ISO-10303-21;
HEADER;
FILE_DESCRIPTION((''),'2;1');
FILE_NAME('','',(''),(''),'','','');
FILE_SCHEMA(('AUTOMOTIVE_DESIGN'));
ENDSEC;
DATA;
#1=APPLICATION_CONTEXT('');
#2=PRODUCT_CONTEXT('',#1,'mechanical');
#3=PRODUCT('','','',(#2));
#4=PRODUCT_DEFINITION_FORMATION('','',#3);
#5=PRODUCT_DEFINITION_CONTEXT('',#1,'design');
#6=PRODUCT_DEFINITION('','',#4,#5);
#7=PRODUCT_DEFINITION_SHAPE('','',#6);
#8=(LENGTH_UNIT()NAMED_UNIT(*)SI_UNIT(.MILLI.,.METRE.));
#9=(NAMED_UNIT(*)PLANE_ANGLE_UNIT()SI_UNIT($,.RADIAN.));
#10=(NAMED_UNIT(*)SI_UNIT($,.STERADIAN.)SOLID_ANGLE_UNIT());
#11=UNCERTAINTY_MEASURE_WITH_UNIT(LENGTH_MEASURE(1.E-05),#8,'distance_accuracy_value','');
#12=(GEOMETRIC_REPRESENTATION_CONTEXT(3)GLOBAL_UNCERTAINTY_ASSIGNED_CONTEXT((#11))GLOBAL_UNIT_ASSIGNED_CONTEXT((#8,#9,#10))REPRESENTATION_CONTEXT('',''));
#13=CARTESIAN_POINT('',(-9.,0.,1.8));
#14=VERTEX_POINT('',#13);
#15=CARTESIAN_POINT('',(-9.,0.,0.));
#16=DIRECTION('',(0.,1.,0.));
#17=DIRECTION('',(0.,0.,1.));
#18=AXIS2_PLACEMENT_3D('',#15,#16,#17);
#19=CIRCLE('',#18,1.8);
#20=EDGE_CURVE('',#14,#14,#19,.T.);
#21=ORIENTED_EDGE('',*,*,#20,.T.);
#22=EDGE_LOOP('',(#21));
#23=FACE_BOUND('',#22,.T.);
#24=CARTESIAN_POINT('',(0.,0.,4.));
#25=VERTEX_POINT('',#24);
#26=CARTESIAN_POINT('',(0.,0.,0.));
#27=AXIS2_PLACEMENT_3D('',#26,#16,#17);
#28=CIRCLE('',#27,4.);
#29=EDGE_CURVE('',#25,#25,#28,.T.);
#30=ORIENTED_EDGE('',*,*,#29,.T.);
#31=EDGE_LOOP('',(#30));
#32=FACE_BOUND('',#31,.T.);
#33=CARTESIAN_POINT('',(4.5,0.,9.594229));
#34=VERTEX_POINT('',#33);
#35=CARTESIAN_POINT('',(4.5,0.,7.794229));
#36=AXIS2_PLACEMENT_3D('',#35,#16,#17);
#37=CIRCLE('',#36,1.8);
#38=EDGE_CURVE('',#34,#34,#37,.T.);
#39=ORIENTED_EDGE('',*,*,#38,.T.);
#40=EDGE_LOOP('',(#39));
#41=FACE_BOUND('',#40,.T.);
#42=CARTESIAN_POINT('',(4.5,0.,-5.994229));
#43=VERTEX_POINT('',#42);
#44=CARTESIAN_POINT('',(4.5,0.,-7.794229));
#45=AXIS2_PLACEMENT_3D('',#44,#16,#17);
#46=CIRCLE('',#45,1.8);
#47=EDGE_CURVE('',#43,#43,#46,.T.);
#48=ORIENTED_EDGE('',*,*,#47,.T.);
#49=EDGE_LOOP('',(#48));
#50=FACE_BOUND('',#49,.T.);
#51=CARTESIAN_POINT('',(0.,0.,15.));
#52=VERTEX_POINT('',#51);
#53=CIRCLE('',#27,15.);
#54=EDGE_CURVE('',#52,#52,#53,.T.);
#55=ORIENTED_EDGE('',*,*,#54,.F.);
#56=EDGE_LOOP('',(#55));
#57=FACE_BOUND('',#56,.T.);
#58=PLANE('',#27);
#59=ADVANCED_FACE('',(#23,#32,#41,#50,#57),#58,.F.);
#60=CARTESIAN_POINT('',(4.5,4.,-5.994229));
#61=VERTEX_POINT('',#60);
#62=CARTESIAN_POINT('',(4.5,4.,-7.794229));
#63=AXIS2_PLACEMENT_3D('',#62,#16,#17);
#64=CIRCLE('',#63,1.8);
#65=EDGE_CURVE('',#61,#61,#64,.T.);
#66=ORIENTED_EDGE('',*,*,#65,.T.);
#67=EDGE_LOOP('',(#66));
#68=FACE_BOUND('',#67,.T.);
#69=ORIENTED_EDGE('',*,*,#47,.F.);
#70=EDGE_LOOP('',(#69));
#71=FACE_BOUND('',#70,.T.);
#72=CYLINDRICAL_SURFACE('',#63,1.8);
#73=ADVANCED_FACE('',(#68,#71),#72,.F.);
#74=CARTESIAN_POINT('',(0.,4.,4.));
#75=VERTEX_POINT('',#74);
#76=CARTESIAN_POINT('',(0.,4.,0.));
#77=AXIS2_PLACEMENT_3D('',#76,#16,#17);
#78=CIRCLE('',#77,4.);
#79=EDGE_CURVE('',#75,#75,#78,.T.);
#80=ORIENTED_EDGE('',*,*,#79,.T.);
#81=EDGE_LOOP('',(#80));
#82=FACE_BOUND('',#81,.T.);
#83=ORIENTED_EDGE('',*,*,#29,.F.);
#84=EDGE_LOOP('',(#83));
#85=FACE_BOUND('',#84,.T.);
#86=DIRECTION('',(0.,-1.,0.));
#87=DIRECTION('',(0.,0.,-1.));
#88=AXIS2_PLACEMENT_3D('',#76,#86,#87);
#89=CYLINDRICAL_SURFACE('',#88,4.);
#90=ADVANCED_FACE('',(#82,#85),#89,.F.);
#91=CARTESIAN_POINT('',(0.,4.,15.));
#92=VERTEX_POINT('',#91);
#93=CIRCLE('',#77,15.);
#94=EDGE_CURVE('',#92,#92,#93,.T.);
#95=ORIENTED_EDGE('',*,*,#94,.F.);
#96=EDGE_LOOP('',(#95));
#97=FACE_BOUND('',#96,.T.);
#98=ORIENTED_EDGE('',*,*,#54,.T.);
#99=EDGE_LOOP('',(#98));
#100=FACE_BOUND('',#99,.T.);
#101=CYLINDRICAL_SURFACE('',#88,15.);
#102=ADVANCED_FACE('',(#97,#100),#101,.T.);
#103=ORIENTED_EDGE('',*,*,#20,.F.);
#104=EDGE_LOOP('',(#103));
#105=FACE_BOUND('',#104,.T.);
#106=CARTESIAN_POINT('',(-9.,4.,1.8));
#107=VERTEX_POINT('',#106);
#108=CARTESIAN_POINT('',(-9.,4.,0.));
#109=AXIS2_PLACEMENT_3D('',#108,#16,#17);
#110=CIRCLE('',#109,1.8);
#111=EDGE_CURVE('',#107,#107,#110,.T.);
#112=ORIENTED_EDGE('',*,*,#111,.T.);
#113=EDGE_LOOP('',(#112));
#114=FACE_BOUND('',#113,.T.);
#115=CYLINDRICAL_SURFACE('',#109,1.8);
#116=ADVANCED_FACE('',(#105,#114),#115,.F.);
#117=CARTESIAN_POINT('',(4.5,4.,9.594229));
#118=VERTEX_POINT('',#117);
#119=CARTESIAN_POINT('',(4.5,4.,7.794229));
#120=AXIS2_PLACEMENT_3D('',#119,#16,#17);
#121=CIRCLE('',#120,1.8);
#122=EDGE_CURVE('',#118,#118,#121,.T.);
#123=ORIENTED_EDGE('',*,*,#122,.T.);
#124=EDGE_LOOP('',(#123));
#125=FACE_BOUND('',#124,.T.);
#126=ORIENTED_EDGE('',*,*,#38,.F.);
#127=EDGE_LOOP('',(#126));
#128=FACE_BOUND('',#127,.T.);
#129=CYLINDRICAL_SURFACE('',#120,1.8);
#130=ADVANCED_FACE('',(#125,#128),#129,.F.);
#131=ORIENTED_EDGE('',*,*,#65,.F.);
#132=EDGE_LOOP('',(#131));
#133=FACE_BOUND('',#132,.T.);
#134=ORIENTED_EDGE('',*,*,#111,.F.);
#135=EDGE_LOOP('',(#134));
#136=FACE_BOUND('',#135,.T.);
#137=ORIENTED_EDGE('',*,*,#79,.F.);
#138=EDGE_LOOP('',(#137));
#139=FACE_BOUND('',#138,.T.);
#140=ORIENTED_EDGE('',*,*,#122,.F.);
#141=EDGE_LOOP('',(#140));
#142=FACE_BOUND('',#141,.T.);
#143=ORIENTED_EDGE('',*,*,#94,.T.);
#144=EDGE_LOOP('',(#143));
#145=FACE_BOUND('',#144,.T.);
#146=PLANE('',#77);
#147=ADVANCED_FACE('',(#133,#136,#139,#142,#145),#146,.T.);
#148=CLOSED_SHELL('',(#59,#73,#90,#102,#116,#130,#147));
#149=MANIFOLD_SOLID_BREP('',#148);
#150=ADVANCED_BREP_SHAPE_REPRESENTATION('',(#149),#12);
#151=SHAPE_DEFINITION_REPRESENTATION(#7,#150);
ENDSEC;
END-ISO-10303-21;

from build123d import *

# Parameters (mm, degrees)
CROQUIS1_R                       = 15
CROQUIS1_R_2                     = 4
SALIENTE_EXTRUIR1_DEPTH          = 4
TALADRO_DE_MARGEN_PARA_M31_D     = 3.6
TALADRO_DE_MARGEN_PARA_M31_DEPTH = 5
TALADRO_DE_MARGEN_PARA_M31_TIP   = 1.081549114


with BuildPart() as part:
    # Croquis1 → Saliente-Extruir1 (new body)
    with BuildSketch(Plane(origin=(0, 0, 0), x_dir=(-1, 0, 0), z_dir=(0, 1, 0))):
        with Locations(Location((0, 0, 0), (0, 0, 90))):
            Circle(CROQUIS1_R)
        with Locations(Location((0, 0, 0), (0, 0, 90))):
            Circle(CROQUIS1_R_2, mode=Mode.SUBTRACT)
    extrude(amount=SALIENTE_EXTRUIR1_DEPTH)

    # Taladro de margen para M31
    with Locations(Plane(origin=(0, 4, 0), x_dir=(-1, 0, 0), z_dir=(0, 1, 0))):
        with Locations((-4.5, 7.794228634), (9, 0), (-4.5, -7.794228634), (0, 0)):
            Hole(TALADRO_DE_MARGEN_PARA_M31_D / 2, depth=TALADRO_DE_MARGEN_PARA_M31_DEPTH)
            with Locations((0, 0, -(TALADRO_DE_MARGEN_PARA_M31_DEPTH + TALADRO_DE_MARGEN_PARA_M31_TIP / 2))):  # 118° drill point
                Cone(0, TALADRO_DE_MARGEN_PARA_M31_D / 2, TALADRO_DE_MARGEN_PARA_M31_TIP, mode=Mode.SUBTRACT)


solid = part.part
